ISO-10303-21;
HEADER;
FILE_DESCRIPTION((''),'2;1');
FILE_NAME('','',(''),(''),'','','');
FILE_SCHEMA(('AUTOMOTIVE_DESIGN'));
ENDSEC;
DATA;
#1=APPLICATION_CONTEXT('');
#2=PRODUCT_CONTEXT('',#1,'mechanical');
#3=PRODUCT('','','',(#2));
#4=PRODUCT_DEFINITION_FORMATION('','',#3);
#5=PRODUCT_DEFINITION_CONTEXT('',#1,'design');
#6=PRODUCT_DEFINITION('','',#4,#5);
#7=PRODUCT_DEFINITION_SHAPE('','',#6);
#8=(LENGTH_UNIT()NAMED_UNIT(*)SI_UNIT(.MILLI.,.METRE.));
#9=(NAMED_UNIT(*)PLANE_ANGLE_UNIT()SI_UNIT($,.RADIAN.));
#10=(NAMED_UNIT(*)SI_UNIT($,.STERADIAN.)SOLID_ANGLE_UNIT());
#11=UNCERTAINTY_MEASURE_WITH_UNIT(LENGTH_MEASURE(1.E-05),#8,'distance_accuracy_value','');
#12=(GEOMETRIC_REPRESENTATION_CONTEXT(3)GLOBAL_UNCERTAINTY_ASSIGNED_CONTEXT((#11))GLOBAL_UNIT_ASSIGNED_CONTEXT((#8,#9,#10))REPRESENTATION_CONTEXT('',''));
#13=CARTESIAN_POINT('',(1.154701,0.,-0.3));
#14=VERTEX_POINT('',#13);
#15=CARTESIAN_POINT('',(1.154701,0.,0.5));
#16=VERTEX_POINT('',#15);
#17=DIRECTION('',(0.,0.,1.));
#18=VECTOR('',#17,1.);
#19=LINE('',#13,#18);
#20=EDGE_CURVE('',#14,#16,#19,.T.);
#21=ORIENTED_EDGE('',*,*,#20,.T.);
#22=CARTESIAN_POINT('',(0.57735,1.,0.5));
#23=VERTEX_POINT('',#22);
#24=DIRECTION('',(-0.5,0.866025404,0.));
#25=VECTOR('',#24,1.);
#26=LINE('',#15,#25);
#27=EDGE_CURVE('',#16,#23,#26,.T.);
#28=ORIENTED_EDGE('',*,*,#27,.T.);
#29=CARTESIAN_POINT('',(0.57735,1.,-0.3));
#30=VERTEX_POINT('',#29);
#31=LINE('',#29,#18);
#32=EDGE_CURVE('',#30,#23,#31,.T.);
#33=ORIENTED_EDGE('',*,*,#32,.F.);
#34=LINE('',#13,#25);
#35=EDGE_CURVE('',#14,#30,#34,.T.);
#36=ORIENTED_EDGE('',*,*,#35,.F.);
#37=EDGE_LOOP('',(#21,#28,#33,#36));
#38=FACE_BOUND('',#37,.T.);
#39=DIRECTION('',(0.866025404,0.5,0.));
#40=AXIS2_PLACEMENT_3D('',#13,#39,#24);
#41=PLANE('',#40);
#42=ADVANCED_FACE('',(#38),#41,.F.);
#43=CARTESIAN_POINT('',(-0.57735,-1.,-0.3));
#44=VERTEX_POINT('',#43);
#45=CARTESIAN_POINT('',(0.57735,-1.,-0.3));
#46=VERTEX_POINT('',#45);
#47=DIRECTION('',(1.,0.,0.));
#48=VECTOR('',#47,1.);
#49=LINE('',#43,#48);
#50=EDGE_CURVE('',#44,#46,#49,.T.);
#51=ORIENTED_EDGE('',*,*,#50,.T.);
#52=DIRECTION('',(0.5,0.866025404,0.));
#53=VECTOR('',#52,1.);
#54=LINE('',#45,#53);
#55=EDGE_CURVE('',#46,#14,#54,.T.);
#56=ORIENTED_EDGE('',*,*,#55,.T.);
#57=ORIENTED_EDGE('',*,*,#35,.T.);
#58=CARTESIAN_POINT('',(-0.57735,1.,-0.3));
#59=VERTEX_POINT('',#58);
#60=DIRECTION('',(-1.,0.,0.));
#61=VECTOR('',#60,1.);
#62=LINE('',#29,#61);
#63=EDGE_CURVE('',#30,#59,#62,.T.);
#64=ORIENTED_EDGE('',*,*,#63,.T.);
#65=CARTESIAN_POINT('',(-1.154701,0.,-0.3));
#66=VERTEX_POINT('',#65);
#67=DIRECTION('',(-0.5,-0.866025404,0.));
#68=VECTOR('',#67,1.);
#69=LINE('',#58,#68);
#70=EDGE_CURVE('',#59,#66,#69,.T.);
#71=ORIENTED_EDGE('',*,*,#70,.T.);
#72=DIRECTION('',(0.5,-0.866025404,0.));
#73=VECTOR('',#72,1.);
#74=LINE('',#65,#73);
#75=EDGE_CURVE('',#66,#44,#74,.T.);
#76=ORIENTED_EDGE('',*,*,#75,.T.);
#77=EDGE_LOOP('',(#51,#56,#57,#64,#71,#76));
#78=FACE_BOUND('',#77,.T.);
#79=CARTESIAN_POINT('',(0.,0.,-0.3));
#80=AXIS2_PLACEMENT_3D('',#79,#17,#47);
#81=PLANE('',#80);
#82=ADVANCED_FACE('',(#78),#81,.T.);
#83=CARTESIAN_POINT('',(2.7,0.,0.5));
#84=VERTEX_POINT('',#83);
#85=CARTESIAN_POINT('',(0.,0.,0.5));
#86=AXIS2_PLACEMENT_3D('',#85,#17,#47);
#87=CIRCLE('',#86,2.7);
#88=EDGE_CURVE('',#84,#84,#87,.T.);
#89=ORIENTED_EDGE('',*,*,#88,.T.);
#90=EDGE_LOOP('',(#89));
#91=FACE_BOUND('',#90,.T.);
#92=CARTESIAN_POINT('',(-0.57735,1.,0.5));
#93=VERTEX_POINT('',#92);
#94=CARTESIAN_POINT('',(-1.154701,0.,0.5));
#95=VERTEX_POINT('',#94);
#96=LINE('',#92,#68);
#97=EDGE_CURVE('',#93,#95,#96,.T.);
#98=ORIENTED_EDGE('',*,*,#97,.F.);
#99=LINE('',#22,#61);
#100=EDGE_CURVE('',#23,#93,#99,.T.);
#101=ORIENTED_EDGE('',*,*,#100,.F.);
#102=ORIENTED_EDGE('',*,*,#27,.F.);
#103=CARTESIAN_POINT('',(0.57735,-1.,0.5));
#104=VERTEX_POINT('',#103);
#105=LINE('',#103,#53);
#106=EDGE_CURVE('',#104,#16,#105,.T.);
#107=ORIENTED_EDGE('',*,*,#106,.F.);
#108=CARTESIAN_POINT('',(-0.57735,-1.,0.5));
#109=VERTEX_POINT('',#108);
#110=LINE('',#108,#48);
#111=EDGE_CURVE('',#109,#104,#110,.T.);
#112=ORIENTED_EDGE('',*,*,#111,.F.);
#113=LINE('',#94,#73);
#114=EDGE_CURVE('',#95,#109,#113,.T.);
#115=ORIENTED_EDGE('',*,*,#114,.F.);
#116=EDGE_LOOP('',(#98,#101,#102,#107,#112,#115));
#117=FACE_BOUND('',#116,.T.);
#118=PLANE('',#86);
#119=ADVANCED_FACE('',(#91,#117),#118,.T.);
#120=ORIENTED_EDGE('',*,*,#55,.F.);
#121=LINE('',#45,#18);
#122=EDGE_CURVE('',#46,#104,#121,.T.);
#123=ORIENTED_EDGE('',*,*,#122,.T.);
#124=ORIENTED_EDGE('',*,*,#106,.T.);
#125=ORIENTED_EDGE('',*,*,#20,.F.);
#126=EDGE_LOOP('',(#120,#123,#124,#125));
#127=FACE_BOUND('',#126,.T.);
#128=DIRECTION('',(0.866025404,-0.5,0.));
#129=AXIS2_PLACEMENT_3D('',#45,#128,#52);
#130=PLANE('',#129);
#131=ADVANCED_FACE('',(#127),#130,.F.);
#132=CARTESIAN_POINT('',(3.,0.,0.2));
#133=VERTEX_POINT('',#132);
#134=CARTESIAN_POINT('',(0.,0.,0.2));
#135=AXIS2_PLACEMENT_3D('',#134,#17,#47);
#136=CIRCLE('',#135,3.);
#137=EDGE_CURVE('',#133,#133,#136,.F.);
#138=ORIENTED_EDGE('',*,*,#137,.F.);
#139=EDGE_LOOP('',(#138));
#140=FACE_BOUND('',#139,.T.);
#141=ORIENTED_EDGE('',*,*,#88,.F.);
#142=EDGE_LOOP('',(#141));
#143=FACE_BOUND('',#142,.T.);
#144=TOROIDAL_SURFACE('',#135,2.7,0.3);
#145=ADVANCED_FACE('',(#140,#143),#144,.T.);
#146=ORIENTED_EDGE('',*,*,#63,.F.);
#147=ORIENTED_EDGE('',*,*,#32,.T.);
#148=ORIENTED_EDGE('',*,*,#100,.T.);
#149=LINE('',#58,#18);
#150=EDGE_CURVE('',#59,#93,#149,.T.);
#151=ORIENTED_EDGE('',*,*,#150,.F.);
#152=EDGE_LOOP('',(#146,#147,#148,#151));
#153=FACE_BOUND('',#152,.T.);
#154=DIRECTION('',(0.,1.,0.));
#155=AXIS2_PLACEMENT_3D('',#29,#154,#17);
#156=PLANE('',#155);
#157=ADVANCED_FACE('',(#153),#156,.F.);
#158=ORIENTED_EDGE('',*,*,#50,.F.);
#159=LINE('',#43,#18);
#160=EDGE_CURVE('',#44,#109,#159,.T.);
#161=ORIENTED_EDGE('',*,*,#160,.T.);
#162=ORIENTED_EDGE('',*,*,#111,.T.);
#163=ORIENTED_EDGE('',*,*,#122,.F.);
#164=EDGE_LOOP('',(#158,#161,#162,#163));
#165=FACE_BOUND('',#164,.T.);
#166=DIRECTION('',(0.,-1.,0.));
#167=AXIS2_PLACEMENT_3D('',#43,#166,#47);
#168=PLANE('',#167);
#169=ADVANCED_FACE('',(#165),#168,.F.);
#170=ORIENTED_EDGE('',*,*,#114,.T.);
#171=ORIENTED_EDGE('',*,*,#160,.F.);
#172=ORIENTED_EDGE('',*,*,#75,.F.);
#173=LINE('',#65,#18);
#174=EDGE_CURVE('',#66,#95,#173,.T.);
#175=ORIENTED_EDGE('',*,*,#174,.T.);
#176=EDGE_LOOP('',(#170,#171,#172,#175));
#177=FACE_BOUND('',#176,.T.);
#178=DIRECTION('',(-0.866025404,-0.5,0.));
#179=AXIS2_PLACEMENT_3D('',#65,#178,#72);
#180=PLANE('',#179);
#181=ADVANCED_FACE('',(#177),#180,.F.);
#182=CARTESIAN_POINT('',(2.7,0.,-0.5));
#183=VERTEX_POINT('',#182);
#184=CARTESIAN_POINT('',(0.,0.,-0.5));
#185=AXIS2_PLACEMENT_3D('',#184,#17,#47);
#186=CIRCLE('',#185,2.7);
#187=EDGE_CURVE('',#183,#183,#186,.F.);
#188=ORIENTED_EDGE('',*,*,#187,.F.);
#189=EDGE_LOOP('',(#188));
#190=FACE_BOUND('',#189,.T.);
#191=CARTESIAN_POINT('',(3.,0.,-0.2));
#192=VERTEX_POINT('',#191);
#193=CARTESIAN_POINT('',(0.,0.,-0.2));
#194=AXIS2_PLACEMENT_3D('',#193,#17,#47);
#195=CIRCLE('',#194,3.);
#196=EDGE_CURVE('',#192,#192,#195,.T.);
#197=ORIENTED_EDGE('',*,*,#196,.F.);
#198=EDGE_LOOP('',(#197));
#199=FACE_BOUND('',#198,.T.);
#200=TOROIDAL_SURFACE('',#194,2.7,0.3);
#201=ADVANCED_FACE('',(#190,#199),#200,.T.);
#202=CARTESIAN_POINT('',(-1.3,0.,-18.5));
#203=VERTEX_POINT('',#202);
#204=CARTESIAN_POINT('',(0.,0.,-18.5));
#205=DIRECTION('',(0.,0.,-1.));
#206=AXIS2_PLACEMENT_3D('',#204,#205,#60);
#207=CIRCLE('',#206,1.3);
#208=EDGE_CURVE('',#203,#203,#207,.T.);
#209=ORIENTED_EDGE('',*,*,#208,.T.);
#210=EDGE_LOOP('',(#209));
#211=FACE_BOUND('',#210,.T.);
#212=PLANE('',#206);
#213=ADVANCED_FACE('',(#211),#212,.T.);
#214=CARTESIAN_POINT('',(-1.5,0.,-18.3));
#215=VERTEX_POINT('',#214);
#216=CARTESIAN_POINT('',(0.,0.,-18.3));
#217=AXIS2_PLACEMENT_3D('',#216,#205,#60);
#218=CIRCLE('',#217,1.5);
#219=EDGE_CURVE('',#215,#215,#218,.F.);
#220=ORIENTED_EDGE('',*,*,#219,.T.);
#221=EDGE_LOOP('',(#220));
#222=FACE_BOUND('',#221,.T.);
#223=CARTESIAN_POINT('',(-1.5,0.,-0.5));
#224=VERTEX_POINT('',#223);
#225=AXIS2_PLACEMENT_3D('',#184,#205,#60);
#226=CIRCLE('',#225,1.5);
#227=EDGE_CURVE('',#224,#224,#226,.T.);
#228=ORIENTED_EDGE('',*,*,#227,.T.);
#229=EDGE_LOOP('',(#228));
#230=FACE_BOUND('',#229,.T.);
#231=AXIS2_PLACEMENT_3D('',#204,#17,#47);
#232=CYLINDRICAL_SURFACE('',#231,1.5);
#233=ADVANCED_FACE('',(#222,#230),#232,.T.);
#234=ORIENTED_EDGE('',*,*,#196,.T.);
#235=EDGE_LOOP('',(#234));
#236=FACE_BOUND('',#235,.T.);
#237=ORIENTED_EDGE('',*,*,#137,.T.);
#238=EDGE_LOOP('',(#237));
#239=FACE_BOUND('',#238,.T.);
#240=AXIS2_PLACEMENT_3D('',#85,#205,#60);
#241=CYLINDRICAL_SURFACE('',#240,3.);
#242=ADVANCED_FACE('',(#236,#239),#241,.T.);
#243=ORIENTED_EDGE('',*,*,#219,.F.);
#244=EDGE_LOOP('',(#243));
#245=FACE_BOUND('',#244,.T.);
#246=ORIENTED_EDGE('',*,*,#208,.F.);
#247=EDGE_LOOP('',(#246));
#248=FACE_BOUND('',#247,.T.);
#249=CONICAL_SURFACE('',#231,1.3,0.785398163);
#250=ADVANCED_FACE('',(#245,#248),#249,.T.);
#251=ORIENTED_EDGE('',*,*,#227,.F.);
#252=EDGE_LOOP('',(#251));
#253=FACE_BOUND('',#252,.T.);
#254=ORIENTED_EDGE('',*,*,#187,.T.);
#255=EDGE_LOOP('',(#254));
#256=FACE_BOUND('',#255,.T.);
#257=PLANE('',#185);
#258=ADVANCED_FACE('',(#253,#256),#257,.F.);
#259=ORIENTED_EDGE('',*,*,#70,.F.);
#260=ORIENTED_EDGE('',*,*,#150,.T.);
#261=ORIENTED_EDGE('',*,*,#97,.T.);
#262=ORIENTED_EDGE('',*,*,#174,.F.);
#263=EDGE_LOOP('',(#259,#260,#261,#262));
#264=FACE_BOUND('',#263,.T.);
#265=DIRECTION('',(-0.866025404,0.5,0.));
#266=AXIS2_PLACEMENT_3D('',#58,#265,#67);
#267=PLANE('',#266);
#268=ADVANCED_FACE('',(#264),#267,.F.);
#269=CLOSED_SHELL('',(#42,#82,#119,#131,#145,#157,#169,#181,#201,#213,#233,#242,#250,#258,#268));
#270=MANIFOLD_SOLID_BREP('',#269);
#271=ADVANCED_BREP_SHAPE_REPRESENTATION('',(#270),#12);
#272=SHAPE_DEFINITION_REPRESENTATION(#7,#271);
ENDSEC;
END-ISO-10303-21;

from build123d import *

# Parameters (mm, degrees)
SKETCH_1_R          = 3
EXTRUDE_1_DEPTH     = 0.5
SKETCH_2_R          = 1.5
EXTRUDE_2_DEPTH     = 18
CHAMFER_1_SIZE      = 0.2
CUT_EXTRUDE_1_DEPTH = 0.8
FILLET_2_R          = 0.3


with BuildPart() as part:
    # 草图1 → 凸台-拉伸1 (new, symmetric)
    with BuildSketch(Plane.XY):
        Circle(SKETCH_1_R)
    extrude(amount=EXTRUDE_1_DEPTH, both=True)

    # 草图2 → 凸台-拉伸2 (add)
    with BuildSketch(Plane(origin=(0, 0, -0.5), x_dir=(-1, 0, 0), z_dir=(0, 0, -1))):
        Circle(SKETCH_2_R)
    extrude(amount=EXTRUDE_2_DEPTH)

    # 倒角1
    chamfer_1_edges = [part.edges().sort_by_distance(p)[0] for p in [
        (1.5, 0, -18.5),
    ]]
    chamfer(chamfer_1_edges, length=CHAMFER_1_SIZE)

    # 草图3 → 切除-拉伸1 (cut)
    with BuildSketch(Plane.XY.offset(0.5)):
        Polygon((1.154700538, 0), (0.577350269, 1), (-0.577350269, 1), (-1.154700538, 0), (-0.577350269, -1), (0.577350269, -1), align=None)
    extrude(amount=-CUT_EXTRUDE_1_DEPTH, mode=Mode.SUBTRACT)

    # 圆角2
    fillet_2_edges = [part.edges().sort_by_distance(p)[0] for p in [
        (-3, 0, -0.5),
        (-3, 0, 0.5),
    ]]
    fillet(fillet_2_edges, radius=FILLET_2_R)


solid = part.part
